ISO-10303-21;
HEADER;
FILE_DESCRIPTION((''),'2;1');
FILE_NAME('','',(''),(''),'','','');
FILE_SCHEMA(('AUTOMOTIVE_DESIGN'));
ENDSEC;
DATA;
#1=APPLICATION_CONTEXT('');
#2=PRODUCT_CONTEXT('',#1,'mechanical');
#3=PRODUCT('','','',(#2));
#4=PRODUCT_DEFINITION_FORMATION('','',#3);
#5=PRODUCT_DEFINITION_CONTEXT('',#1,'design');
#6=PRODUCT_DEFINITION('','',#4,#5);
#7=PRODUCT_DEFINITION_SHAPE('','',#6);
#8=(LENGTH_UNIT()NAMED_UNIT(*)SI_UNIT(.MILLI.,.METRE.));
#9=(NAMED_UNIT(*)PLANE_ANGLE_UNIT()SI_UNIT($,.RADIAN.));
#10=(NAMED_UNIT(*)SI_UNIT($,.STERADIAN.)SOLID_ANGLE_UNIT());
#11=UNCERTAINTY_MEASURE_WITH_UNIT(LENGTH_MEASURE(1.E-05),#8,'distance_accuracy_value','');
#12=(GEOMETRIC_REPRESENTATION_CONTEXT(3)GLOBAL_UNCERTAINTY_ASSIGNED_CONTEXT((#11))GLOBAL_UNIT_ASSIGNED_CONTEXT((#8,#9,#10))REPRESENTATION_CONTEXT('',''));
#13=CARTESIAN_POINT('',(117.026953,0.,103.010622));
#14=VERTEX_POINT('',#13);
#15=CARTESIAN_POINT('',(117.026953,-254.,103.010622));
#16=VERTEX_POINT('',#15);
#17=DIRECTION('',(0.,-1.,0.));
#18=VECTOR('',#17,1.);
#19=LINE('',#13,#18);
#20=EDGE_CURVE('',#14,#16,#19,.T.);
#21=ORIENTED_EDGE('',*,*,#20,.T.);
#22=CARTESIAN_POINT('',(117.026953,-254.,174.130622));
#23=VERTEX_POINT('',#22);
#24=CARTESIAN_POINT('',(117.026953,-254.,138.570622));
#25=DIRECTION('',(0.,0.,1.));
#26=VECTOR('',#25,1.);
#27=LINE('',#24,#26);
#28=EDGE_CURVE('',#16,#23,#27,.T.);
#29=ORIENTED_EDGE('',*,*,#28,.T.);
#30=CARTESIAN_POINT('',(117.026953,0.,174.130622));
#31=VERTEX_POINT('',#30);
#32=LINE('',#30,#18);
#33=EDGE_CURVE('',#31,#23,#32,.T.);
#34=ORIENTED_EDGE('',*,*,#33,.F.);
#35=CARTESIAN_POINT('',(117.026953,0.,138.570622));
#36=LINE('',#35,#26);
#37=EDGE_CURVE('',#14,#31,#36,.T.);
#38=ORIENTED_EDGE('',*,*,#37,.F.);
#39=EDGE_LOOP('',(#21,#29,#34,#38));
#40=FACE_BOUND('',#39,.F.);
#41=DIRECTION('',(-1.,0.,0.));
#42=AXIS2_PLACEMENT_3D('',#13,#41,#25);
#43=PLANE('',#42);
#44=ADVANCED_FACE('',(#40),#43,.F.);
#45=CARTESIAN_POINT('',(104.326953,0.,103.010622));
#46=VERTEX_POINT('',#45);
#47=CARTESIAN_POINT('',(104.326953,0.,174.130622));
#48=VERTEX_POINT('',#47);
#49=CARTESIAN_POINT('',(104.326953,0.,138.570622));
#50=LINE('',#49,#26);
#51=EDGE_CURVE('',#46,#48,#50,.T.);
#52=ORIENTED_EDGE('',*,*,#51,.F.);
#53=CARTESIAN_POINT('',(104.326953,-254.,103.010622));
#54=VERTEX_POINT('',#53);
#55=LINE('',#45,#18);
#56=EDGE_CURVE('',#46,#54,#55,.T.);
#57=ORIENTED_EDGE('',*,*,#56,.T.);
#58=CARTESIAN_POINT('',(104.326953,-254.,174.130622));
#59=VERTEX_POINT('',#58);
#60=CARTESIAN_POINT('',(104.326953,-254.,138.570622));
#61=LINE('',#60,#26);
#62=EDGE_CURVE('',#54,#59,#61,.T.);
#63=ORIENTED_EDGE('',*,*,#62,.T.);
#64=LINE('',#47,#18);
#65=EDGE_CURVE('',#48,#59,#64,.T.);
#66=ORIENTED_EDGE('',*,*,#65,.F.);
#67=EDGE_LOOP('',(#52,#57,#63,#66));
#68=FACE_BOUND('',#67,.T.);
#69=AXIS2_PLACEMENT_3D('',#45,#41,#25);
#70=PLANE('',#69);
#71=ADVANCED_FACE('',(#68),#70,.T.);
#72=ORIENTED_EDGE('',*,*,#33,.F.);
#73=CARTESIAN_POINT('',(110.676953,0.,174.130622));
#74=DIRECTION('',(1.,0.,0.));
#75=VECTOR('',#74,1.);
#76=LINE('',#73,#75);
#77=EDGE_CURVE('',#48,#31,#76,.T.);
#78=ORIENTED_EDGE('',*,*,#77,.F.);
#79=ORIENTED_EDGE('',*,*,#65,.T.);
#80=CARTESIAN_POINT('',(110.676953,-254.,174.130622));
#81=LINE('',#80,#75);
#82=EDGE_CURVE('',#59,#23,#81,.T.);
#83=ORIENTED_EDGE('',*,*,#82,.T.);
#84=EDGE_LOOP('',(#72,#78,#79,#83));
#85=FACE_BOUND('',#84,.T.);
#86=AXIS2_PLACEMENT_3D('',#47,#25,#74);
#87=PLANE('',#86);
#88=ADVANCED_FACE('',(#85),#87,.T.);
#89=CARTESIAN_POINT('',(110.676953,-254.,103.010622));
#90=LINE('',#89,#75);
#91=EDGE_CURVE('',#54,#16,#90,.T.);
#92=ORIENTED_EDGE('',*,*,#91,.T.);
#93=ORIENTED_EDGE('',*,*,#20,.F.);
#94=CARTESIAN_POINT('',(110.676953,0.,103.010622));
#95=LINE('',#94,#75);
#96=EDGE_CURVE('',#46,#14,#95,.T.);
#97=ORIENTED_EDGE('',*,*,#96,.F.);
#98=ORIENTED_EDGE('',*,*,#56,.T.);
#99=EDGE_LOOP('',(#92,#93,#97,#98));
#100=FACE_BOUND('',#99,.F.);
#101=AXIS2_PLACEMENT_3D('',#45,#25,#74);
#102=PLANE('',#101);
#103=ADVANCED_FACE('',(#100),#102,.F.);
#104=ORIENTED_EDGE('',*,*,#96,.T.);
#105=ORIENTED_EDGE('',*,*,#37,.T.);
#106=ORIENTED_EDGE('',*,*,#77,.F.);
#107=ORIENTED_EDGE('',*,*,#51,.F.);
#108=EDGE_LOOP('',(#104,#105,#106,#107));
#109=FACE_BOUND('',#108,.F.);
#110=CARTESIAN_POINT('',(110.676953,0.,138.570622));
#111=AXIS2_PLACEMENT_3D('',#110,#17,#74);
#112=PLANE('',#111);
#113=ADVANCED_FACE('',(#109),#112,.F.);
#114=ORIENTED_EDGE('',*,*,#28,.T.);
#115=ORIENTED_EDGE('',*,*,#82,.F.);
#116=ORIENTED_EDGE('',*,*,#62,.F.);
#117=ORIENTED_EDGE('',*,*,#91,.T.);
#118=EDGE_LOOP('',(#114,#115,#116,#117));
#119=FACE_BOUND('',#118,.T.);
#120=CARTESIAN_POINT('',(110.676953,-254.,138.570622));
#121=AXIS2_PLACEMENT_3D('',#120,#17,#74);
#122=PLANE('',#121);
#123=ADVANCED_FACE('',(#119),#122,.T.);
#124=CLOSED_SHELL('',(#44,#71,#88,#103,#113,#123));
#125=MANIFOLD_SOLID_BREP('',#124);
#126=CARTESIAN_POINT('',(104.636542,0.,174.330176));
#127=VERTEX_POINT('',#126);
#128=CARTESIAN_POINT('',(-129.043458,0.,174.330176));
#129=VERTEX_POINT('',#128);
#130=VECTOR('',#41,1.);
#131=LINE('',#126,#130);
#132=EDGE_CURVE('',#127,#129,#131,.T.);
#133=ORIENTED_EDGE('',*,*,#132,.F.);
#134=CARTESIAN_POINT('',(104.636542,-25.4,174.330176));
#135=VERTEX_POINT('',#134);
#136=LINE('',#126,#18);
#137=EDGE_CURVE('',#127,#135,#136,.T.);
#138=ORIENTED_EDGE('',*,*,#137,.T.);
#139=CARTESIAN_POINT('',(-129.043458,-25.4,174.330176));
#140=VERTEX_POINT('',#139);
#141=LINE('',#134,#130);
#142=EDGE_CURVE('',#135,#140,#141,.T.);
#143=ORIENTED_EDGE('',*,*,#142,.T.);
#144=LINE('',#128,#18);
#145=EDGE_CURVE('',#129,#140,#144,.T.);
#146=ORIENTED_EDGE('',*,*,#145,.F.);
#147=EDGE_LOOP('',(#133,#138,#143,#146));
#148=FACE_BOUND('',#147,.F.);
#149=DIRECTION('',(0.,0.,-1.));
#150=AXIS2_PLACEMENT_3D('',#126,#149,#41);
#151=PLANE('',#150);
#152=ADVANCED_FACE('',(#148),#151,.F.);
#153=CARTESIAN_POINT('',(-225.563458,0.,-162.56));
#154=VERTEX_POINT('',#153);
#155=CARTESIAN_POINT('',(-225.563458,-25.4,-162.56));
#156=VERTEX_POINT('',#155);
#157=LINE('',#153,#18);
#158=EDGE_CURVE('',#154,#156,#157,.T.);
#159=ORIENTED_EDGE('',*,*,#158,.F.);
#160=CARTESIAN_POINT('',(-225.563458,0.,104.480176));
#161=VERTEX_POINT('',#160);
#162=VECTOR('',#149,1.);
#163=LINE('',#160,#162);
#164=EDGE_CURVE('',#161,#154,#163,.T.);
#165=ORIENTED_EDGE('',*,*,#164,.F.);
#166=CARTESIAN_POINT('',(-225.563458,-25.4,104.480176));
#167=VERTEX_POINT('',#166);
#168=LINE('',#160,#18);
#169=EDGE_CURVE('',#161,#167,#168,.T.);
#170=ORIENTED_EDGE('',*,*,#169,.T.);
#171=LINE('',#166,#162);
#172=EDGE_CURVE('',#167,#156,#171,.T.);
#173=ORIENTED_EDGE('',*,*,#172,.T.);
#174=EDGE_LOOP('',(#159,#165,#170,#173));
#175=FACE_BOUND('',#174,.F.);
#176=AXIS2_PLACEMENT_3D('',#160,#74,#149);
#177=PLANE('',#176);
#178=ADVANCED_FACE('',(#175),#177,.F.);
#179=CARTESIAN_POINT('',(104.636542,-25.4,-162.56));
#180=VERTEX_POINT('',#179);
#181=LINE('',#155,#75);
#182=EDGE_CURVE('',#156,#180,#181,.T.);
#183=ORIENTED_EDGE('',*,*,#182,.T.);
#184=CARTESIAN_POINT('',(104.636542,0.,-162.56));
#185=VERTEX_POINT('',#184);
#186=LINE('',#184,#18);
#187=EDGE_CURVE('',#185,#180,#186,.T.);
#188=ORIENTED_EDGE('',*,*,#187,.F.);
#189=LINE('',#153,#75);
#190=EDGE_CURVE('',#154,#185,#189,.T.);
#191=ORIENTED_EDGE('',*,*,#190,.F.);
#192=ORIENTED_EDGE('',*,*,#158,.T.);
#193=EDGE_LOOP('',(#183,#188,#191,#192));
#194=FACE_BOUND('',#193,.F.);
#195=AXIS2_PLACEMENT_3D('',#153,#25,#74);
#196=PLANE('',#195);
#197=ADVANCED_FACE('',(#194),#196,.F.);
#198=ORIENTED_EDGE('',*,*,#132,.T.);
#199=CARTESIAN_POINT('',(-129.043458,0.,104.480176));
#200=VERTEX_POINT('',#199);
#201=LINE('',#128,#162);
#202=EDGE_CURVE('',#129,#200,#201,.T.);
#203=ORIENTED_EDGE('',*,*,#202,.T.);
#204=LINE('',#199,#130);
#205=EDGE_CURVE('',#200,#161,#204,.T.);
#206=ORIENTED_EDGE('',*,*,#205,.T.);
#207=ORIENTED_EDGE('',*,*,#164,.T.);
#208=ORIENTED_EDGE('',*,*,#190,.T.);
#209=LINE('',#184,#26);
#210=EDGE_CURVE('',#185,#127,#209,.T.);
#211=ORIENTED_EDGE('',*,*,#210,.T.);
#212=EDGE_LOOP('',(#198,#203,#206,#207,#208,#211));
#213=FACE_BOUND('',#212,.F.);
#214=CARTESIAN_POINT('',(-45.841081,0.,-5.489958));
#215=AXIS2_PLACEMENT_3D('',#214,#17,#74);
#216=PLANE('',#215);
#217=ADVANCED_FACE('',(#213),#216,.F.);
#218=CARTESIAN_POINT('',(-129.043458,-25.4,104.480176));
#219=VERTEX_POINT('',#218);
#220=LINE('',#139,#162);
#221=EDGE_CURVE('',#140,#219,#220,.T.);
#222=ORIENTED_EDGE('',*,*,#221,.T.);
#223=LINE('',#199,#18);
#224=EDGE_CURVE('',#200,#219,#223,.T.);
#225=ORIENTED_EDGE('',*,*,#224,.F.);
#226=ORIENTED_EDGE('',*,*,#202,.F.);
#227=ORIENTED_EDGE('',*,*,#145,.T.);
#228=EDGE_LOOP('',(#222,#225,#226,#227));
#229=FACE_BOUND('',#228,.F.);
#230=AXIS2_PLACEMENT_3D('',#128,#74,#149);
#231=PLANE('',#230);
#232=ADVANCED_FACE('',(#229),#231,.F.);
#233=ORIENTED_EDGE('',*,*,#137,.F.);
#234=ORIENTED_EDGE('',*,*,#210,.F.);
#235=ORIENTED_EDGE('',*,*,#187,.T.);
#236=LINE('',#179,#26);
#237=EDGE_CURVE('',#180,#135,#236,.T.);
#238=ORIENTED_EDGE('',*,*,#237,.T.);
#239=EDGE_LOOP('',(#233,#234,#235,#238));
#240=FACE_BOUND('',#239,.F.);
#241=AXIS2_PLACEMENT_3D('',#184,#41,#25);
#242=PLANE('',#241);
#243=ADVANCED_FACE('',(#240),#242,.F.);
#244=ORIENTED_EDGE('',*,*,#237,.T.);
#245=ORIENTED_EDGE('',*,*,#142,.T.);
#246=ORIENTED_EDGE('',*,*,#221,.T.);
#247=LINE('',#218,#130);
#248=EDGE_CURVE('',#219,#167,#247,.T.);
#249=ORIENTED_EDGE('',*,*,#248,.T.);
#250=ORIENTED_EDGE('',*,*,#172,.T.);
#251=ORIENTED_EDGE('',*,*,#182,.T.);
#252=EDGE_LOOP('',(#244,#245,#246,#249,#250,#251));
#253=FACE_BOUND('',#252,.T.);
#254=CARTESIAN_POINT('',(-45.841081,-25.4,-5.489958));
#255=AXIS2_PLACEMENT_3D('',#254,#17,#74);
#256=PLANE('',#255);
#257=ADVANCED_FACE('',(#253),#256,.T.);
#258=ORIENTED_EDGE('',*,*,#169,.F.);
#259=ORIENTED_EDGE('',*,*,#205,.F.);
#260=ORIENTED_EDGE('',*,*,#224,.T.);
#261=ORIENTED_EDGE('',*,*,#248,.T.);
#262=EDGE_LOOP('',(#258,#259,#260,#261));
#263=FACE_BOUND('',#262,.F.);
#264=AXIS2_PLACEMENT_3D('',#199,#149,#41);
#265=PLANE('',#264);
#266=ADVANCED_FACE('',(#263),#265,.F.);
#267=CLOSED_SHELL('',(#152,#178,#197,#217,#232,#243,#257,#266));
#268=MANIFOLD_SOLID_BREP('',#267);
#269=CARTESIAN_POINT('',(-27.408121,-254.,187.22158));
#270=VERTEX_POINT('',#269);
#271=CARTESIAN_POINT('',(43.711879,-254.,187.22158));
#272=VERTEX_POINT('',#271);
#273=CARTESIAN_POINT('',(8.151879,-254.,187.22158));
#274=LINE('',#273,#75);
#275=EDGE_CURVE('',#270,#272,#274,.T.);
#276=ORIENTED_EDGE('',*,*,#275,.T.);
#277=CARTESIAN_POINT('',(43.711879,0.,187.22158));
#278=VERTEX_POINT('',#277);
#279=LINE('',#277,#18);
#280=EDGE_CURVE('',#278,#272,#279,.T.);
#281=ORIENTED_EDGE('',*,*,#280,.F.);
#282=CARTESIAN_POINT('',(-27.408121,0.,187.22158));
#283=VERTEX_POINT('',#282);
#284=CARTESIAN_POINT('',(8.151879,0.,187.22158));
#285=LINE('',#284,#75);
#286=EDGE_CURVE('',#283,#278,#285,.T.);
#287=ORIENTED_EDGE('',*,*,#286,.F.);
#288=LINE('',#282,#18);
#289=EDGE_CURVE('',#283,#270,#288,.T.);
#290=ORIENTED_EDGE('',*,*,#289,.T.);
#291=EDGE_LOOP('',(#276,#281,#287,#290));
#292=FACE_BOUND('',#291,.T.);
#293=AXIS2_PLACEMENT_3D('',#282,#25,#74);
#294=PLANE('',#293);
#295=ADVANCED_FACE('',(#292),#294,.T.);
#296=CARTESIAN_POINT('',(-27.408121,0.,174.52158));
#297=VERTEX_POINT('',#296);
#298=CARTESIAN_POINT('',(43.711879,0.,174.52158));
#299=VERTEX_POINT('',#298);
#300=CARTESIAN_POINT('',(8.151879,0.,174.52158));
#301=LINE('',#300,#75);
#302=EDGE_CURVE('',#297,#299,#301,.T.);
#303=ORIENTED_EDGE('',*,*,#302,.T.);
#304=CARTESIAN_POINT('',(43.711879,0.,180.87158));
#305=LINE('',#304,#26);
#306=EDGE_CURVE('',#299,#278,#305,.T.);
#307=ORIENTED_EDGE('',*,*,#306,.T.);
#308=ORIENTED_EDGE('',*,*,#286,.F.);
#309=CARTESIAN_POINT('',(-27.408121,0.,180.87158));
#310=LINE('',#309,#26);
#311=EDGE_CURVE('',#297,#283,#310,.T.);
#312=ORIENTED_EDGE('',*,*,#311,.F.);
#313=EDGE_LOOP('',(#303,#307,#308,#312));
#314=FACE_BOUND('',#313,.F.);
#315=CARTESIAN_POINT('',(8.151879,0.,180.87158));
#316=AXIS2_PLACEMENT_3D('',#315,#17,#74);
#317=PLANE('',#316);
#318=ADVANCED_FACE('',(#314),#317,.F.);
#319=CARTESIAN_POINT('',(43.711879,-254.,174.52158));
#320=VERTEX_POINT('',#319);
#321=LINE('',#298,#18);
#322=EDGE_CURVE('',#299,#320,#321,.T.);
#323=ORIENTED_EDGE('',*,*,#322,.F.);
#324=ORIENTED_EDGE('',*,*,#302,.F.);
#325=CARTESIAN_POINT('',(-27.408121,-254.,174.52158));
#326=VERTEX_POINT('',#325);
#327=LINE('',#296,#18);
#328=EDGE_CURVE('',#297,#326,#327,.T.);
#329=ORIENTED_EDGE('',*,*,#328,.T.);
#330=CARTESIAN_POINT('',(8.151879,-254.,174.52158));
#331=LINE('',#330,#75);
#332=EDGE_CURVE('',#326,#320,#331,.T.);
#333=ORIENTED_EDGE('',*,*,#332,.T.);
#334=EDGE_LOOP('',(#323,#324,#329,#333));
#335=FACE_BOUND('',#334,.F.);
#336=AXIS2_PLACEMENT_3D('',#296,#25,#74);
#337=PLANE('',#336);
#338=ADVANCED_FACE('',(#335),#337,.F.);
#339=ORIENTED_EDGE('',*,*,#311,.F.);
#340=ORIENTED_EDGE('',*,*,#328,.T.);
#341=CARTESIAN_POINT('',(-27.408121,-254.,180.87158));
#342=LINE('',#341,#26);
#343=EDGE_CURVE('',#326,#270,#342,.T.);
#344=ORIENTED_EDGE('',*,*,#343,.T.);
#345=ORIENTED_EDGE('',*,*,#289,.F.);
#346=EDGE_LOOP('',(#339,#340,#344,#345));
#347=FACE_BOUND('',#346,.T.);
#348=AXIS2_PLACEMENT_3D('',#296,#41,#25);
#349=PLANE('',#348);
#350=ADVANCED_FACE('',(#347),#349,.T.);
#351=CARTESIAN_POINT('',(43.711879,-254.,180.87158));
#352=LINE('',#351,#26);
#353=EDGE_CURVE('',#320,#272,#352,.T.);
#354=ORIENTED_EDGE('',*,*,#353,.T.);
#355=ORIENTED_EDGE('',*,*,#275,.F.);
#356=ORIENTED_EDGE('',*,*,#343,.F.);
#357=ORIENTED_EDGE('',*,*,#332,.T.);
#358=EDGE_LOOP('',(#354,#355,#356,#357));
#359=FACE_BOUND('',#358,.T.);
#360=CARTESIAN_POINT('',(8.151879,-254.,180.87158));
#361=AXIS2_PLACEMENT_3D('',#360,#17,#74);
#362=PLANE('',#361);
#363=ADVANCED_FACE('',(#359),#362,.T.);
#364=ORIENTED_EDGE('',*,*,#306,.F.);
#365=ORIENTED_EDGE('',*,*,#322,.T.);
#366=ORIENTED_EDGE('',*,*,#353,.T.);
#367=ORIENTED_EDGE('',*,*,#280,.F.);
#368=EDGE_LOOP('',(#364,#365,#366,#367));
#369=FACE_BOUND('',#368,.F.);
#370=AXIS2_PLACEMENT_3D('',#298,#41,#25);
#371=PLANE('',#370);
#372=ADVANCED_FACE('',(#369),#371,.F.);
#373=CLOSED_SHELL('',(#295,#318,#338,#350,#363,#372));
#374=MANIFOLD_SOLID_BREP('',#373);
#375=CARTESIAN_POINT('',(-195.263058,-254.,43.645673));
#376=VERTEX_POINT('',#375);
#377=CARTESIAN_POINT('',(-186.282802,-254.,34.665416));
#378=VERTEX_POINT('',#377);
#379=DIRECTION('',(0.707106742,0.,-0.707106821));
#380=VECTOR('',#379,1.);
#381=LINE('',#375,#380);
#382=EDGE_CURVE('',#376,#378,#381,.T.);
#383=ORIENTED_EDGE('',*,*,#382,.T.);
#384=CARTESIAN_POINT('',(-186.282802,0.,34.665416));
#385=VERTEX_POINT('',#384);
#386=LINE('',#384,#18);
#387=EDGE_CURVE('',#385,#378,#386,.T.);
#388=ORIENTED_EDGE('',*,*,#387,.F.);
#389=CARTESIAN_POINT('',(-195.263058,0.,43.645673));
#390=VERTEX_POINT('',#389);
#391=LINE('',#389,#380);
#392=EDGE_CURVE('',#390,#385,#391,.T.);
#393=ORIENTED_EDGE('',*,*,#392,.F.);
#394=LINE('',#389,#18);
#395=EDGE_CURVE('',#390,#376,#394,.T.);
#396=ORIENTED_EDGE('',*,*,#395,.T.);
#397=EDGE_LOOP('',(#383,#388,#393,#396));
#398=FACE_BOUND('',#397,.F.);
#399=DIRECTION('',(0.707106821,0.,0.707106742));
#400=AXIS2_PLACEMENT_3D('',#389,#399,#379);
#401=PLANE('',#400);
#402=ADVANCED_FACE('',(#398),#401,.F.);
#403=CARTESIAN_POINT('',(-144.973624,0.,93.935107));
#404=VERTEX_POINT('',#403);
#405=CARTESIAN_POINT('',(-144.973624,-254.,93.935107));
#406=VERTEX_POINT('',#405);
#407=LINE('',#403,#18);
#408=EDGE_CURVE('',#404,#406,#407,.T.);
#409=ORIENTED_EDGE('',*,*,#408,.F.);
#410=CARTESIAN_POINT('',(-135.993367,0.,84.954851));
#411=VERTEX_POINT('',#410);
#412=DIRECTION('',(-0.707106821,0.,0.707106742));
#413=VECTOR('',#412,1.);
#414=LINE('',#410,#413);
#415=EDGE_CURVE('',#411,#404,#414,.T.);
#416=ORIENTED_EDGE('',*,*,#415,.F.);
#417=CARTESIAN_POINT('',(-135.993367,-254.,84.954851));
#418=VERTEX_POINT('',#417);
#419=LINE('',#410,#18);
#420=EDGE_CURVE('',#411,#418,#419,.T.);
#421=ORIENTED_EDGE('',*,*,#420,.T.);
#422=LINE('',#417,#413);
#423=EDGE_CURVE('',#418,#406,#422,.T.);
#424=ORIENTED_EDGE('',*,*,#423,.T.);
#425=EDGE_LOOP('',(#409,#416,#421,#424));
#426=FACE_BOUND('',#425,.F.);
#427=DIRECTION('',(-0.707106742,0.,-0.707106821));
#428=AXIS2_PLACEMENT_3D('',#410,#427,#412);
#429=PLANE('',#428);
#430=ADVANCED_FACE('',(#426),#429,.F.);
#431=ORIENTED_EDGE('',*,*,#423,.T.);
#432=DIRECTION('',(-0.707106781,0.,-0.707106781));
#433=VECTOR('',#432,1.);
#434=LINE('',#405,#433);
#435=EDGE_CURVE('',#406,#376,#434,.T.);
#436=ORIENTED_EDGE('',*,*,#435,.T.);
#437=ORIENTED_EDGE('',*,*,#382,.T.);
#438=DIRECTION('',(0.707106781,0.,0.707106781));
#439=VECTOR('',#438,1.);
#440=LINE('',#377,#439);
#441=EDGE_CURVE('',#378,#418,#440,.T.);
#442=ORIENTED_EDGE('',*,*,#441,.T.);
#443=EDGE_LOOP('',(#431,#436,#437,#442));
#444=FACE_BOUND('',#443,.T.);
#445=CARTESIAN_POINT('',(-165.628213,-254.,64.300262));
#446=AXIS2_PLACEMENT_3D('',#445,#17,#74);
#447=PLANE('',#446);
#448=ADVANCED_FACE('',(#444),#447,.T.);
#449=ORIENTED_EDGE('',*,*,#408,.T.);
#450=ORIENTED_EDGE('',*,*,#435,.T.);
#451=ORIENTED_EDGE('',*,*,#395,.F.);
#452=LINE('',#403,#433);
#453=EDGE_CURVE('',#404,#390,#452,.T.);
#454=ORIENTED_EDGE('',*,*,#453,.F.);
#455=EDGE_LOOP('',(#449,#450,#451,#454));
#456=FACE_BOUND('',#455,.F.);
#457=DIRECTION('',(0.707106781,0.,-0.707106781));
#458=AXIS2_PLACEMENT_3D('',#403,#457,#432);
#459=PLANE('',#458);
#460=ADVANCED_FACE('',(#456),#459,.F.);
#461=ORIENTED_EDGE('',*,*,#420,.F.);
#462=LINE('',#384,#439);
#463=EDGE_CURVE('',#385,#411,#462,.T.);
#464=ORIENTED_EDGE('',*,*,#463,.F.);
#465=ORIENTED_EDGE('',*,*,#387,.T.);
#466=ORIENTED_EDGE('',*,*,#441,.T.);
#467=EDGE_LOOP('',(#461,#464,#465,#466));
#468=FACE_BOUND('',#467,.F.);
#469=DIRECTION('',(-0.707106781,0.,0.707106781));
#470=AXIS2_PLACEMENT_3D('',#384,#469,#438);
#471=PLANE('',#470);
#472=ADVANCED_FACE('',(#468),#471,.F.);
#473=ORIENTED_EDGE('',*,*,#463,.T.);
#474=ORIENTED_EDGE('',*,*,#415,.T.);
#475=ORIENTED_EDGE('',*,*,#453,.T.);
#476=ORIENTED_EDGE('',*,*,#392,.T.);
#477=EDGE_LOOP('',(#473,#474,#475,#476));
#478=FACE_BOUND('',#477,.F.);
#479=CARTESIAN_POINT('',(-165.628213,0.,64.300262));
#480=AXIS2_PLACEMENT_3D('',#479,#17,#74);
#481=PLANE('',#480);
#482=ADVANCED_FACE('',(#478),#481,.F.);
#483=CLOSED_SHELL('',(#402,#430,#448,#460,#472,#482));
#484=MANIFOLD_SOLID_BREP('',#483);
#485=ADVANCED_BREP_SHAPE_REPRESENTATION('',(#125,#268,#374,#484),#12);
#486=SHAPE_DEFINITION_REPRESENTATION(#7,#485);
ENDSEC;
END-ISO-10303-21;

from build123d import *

# Parameters (mm, degrees)
F1_DEPTH = 25.4
F2_W     = 71.12
F2_H     = 12.7
F2_W_2   = 12.7
F2_H_2   = 71.12
F3_DEPTH = 254
F5_DEPTH = 25.4


with BuildPart() as f1:
    # F0 (on Front) → F1 (new body)
    with BuildSketch(Plane.XZ):
        Polygon((104.636542, -162.56), (104.636542, 101.6), (104.636542, 174.330176), (43.676542, 174.330176), (-27.443458, 174.330176), (-129.043458, 174.330176), (-129.043458, 104.480176), (-225.563458, 0), (-225.563458, -162.56), align=None)
        Polygon((-225.563458, 104.480176), (-225.563458, 0), (-129.043458, 104.480176), align=None)
    extrude(amount=F1_DEPTH)

    # F4 (on Front) → F5 (join)
    with BuildSketch(Plane.XZ):
        Polygon((-223.457229, 14.464707), (-217.975392, 9.171896), (-200.332686, 27.444688), (-205.814524, 32.7375), align=None)
    extrude(amount=F5_DEPTH)


with BuildPart() as f3:
    # F2 (on Front) → F3 (new body)
    with BuildSketch(Plane.XZ):
        with Locations((8.151879, 180.87158)):
            Rectangle(F2_W, F2_H)
        with Locations((110.676953, 138.570622)):
            Rectangle(F2_W_2, F2_H_2)
        Polygon((-195.263058, 43.645673), (-186.282802, 34.665416), (-135.993367, 84.954851), (-144.973624, 93.935107), align=None)
    extrude(amount=F3_DEPTH)


solid = Compound([f1.part, f3.part])
